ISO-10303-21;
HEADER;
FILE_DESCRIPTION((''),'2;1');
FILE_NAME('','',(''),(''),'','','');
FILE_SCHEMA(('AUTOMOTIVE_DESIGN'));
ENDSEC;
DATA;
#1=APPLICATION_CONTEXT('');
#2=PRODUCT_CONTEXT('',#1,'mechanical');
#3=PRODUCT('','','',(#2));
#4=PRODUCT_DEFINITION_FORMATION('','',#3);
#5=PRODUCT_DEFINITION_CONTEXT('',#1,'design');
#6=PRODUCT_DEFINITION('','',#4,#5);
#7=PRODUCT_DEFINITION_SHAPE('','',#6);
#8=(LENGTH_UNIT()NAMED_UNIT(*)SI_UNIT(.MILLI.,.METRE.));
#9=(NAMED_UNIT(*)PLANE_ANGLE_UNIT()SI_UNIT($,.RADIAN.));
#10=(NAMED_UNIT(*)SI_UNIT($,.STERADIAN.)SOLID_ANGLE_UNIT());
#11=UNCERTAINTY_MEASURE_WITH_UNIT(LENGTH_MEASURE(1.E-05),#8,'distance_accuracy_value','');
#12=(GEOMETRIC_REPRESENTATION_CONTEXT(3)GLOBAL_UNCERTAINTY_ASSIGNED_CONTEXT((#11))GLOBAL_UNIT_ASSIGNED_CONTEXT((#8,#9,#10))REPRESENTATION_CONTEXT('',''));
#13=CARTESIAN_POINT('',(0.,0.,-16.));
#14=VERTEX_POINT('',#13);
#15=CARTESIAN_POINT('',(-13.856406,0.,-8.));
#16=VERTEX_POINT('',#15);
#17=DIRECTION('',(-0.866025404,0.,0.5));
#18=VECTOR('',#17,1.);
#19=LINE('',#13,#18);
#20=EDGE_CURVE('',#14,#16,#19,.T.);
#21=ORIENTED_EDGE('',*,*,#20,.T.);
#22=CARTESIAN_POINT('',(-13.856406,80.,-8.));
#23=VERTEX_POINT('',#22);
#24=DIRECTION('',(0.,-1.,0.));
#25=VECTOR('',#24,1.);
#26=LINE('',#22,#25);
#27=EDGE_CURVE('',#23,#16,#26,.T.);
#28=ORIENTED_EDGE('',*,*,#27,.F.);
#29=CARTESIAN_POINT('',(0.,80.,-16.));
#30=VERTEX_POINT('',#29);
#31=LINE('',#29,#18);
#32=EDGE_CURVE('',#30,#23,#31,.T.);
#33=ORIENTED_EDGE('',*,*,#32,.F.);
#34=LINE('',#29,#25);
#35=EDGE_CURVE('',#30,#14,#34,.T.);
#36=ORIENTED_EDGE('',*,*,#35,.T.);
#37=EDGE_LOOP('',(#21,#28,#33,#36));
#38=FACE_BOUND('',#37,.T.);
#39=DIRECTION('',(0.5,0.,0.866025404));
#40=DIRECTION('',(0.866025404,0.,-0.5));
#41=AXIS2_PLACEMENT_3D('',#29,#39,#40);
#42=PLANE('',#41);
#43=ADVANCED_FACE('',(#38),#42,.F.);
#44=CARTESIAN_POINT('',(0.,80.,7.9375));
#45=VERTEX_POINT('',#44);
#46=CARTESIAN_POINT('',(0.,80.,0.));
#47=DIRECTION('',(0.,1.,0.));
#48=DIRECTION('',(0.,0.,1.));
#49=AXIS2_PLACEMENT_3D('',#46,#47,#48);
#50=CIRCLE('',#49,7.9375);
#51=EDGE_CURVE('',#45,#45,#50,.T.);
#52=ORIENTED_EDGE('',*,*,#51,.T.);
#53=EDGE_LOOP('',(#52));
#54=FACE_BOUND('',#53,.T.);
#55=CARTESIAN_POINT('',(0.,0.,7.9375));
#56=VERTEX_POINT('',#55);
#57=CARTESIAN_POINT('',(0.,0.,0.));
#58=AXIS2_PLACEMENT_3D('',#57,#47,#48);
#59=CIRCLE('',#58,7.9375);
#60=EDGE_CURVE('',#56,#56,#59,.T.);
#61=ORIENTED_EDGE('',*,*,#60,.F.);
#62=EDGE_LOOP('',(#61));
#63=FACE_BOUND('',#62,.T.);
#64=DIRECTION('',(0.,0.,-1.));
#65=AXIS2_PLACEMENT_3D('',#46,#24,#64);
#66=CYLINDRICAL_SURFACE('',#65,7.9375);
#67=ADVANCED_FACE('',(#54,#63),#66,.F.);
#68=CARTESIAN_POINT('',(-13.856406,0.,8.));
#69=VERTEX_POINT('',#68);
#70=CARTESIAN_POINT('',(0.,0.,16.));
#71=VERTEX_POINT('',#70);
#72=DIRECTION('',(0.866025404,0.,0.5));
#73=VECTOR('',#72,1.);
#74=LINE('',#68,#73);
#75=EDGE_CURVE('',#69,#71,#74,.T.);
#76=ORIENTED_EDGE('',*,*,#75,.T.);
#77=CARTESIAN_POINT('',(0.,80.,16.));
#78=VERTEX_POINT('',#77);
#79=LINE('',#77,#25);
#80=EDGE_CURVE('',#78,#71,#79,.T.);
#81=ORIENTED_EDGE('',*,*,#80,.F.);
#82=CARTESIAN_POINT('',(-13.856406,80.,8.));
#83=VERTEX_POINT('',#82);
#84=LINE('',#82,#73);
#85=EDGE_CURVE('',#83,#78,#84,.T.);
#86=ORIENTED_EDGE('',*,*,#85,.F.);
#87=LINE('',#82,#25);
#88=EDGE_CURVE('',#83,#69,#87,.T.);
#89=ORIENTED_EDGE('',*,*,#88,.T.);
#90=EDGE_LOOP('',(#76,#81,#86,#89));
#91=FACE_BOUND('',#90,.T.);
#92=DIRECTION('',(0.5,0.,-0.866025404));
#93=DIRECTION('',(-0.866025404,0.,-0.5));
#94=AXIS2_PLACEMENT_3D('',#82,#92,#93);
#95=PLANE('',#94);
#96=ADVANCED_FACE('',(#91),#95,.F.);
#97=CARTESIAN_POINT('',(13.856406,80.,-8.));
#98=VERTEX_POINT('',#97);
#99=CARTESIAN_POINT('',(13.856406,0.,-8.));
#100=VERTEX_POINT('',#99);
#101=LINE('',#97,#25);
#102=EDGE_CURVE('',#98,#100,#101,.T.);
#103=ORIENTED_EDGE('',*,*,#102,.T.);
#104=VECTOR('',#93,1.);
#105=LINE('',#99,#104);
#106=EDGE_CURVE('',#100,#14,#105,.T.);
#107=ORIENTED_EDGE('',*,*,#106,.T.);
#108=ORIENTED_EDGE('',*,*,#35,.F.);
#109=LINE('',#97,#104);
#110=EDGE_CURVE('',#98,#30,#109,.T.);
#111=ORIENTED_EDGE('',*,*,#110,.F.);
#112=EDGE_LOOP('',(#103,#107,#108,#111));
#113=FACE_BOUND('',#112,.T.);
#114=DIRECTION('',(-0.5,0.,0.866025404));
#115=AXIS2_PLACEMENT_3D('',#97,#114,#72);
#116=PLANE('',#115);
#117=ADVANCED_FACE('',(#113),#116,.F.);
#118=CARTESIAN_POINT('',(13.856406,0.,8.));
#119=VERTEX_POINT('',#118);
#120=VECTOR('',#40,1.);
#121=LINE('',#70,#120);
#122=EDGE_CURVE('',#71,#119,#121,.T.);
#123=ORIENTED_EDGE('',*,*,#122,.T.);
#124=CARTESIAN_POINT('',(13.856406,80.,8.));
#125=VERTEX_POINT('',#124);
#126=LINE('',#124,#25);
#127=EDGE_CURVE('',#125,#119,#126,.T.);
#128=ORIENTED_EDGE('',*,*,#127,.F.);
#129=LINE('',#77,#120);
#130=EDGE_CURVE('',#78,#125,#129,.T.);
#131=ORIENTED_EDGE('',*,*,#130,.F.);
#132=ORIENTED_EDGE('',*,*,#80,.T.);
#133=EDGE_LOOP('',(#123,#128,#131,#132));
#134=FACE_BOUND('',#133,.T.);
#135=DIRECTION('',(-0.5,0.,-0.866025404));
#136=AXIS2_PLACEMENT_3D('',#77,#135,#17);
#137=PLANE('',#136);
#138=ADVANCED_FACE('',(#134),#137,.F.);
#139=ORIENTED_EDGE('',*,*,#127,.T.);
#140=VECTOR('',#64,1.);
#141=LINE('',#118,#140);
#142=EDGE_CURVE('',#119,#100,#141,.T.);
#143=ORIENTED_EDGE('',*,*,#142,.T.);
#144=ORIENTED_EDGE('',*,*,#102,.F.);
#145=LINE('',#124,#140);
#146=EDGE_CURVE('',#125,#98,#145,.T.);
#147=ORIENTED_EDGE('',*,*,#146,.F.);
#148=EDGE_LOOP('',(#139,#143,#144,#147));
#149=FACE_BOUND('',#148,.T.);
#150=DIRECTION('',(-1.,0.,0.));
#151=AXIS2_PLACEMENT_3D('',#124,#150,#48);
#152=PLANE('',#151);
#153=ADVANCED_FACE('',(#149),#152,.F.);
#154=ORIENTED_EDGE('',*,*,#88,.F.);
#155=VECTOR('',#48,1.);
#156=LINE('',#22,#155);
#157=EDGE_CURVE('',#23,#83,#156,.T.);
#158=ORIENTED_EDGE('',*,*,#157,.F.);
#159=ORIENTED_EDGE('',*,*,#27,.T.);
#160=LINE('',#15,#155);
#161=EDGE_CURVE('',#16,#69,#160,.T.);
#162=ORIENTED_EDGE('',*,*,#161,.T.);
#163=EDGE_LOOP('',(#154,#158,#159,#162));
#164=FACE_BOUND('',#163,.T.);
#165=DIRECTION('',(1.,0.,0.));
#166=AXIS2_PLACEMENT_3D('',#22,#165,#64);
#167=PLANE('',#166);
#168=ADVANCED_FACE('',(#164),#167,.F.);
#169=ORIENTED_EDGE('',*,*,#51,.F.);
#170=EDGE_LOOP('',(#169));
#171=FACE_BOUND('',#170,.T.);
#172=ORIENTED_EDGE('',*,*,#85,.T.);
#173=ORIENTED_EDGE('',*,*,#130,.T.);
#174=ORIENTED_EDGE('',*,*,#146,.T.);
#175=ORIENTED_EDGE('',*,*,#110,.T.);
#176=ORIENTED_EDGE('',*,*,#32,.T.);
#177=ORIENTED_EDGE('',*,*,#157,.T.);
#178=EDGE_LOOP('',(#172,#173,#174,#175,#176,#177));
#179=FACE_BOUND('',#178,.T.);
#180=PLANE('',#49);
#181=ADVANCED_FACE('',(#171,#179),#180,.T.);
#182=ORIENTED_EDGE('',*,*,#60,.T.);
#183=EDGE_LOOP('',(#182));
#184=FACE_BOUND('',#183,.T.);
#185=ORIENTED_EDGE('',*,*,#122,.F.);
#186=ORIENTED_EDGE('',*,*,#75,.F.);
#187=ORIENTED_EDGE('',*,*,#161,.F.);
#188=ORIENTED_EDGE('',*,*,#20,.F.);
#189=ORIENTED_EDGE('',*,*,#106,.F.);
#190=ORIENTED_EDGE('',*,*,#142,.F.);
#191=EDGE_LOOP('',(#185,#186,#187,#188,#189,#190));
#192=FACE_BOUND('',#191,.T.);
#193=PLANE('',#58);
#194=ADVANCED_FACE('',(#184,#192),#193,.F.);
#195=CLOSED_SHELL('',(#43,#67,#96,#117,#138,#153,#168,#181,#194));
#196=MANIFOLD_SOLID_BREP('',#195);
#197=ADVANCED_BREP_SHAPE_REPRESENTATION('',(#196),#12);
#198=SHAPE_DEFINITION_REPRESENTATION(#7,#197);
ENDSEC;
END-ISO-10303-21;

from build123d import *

# Parameters (mm, degrees)
SKETCH2_R           = 7.9375
BOSS_EXTRUDE1_DEPTH = 80


with BuildPart() as part:
    # Sketch2 → Boss-Extrude1 (new body)
    with BuildSketch(Plane(origin=(0, 0, 0), x_dir=(1, 0, 0), z_dir=(0, 1, 0))):
        Polygon((0, 16), (-13.856406461, 8), (-13.856406461, -8), (0, -16), (13.856406461, -8), (13.856406461, 8), align=None)
        with Locations(Location((0, 0, 0), (0, 0, 270))):
            Circle(SKETCH2_R, mode=Mode.SUBTRACT)
    extrude(amount=BOSS_EXTRUDE1_DEPTH)


solid = part.part
